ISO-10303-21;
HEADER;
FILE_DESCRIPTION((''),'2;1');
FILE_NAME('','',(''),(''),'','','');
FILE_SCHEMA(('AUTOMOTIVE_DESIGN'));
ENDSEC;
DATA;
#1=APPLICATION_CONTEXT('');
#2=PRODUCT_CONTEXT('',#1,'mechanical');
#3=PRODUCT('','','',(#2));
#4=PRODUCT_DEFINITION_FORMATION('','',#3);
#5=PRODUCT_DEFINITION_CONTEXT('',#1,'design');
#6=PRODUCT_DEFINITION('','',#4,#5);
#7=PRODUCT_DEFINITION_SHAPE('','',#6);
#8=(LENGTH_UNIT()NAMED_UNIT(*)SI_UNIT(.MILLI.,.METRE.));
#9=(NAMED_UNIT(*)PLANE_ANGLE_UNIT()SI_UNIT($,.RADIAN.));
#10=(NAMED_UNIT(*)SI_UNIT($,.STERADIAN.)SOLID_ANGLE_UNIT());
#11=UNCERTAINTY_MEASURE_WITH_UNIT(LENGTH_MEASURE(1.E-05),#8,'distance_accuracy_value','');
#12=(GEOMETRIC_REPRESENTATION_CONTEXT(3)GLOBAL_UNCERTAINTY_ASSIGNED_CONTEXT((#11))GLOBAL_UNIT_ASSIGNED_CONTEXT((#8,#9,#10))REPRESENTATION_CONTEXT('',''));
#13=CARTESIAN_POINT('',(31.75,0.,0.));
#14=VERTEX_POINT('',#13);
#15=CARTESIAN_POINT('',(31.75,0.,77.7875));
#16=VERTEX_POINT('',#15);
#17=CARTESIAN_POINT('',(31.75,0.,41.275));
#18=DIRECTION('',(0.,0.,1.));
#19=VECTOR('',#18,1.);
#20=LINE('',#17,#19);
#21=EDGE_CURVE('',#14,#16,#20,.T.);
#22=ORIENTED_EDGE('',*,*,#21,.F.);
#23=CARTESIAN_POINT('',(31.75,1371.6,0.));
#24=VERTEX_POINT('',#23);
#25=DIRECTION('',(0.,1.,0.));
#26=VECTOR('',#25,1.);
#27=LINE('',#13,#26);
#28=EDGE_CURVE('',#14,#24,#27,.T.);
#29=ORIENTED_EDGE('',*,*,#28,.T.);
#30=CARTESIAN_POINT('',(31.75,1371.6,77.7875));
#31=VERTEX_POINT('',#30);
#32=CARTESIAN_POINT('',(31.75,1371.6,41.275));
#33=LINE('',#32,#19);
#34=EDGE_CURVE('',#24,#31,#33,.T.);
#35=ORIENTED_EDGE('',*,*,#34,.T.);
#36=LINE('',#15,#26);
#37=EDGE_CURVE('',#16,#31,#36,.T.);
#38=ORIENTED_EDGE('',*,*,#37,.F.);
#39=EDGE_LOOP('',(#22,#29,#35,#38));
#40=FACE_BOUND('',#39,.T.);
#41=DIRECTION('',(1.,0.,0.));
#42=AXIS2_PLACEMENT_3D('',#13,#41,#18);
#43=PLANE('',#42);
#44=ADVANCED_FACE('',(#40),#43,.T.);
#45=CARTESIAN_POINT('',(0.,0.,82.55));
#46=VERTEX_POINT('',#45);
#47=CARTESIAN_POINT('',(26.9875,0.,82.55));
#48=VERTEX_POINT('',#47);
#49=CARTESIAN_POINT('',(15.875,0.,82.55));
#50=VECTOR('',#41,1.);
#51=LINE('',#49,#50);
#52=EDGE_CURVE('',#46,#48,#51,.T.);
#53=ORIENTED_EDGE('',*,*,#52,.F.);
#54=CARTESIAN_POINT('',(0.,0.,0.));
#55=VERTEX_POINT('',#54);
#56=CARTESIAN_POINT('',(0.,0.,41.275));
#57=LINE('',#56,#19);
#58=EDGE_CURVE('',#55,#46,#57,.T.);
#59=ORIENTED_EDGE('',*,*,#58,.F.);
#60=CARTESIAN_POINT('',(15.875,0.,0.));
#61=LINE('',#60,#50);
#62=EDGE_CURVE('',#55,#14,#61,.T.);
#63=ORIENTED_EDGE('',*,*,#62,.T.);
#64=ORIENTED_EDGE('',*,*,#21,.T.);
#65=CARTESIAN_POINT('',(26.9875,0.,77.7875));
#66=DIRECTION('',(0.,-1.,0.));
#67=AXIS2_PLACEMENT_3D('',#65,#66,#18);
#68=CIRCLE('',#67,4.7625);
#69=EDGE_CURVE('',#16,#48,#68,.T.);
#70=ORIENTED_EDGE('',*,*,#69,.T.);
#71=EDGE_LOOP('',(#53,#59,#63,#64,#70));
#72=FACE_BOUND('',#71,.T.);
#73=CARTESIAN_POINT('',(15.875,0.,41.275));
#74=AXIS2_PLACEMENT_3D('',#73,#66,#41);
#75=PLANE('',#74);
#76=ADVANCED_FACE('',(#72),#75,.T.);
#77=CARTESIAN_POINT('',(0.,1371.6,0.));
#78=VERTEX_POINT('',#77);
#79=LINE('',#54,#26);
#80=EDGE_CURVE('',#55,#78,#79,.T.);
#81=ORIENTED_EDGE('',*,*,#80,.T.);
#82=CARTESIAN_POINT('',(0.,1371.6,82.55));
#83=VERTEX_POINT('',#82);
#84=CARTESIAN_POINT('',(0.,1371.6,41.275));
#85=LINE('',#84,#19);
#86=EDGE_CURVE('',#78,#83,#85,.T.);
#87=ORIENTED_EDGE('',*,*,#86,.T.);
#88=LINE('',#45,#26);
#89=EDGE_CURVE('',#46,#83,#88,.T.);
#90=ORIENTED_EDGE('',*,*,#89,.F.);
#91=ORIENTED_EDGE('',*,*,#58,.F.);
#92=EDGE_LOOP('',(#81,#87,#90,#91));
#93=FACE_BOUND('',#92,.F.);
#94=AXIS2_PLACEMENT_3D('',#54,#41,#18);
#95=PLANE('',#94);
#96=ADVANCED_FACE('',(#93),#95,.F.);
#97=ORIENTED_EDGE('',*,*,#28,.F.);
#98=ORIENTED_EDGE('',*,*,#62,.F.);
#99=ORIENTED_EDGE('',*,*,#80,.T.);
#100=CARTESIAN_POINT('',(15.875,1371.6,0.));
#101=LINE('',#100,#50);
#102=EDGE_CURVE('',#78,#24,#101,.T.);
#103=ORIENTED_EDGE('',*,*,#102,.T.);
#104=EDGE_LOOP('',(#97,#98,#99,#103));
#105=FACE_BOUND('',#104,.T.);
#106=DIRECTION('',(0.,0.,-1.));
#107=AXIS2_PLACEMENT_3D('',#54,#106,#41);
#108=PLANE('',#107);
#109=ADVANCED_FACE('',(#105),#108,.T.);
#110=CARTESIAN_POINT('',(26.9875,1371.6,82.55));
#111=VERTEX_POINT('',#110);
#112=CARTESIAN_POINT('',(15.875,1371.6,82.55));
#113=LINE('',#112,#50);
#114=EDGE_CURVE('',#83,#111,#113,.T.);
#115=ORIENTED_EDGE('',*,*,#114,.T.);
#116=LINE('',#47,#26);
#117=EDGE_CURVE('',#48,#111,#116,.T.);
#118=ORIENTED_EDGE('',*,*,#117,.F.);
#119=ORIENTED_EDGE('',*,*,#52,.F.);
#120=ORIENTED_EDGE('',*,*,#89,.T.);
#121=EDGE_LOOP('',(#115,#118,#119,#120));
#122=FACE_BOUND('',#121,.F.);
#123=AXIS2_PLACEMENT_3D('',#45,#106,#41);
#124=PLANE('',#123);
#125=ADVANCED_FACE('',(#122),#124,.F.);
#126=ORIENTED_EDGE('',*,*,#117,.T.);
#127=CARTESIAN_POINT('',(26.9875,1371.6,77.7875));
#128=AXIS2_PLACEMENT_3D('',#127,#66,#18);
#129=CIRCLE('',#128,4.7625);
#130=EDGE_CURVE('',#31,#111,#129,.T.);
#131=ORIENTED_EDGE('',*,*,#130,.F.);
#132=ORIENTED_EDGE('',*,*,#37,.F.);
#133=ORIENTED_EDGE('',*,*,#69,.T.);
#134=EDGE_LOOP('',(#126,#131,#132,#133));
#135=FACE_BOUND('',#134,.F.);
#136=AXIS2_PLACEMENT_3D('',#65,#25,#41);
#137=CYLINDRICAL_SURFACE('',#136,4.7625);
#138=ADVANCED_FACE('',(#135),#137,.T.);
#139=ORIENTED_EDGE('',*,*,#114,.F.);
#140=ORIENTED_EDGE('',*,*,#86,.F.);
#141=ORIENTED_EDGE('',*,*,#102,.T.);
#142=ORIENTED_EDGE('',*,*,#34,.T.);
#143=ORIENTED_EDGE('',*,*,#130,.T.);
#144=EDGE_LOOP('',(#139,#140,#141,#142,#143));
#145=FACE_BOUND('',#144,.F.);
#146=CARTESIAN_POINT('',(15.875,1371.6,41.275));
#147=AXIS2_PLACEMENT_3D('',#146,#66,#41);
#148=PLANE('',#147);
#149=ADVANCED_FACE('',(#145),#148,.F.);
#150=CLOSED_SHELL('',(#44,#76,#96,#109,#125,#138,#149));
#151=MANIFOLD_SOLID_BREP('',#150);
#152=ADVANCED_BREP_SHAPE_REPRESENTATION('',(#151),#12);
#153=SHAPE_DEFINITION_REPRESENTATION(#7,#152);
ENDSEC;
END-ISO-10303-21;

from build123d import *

# Parameters (mm, degrees)
F0_W     = 31.75
F0_H     = 82.55
F1_DEPTH = 1371.6
F2_R     = 4.7625


with BuildPart() as f1:
    # F0 (on Front) → F1 (new body)
    with BuildSketch(Plane.XZ):
        with Locations((15.875, 41.275)):
            Rectangle(F0_W, F0_H)
    extrude(amount=-F1_DEPTH)

    # F2
    f2_edges = [f1.edges().sort_by_distance(p)[0] for p in [
        (31.75, 685.8, 82.55),
    ]]
    fillet(f2_edges, radius=F2_R)


solid = f1.part
